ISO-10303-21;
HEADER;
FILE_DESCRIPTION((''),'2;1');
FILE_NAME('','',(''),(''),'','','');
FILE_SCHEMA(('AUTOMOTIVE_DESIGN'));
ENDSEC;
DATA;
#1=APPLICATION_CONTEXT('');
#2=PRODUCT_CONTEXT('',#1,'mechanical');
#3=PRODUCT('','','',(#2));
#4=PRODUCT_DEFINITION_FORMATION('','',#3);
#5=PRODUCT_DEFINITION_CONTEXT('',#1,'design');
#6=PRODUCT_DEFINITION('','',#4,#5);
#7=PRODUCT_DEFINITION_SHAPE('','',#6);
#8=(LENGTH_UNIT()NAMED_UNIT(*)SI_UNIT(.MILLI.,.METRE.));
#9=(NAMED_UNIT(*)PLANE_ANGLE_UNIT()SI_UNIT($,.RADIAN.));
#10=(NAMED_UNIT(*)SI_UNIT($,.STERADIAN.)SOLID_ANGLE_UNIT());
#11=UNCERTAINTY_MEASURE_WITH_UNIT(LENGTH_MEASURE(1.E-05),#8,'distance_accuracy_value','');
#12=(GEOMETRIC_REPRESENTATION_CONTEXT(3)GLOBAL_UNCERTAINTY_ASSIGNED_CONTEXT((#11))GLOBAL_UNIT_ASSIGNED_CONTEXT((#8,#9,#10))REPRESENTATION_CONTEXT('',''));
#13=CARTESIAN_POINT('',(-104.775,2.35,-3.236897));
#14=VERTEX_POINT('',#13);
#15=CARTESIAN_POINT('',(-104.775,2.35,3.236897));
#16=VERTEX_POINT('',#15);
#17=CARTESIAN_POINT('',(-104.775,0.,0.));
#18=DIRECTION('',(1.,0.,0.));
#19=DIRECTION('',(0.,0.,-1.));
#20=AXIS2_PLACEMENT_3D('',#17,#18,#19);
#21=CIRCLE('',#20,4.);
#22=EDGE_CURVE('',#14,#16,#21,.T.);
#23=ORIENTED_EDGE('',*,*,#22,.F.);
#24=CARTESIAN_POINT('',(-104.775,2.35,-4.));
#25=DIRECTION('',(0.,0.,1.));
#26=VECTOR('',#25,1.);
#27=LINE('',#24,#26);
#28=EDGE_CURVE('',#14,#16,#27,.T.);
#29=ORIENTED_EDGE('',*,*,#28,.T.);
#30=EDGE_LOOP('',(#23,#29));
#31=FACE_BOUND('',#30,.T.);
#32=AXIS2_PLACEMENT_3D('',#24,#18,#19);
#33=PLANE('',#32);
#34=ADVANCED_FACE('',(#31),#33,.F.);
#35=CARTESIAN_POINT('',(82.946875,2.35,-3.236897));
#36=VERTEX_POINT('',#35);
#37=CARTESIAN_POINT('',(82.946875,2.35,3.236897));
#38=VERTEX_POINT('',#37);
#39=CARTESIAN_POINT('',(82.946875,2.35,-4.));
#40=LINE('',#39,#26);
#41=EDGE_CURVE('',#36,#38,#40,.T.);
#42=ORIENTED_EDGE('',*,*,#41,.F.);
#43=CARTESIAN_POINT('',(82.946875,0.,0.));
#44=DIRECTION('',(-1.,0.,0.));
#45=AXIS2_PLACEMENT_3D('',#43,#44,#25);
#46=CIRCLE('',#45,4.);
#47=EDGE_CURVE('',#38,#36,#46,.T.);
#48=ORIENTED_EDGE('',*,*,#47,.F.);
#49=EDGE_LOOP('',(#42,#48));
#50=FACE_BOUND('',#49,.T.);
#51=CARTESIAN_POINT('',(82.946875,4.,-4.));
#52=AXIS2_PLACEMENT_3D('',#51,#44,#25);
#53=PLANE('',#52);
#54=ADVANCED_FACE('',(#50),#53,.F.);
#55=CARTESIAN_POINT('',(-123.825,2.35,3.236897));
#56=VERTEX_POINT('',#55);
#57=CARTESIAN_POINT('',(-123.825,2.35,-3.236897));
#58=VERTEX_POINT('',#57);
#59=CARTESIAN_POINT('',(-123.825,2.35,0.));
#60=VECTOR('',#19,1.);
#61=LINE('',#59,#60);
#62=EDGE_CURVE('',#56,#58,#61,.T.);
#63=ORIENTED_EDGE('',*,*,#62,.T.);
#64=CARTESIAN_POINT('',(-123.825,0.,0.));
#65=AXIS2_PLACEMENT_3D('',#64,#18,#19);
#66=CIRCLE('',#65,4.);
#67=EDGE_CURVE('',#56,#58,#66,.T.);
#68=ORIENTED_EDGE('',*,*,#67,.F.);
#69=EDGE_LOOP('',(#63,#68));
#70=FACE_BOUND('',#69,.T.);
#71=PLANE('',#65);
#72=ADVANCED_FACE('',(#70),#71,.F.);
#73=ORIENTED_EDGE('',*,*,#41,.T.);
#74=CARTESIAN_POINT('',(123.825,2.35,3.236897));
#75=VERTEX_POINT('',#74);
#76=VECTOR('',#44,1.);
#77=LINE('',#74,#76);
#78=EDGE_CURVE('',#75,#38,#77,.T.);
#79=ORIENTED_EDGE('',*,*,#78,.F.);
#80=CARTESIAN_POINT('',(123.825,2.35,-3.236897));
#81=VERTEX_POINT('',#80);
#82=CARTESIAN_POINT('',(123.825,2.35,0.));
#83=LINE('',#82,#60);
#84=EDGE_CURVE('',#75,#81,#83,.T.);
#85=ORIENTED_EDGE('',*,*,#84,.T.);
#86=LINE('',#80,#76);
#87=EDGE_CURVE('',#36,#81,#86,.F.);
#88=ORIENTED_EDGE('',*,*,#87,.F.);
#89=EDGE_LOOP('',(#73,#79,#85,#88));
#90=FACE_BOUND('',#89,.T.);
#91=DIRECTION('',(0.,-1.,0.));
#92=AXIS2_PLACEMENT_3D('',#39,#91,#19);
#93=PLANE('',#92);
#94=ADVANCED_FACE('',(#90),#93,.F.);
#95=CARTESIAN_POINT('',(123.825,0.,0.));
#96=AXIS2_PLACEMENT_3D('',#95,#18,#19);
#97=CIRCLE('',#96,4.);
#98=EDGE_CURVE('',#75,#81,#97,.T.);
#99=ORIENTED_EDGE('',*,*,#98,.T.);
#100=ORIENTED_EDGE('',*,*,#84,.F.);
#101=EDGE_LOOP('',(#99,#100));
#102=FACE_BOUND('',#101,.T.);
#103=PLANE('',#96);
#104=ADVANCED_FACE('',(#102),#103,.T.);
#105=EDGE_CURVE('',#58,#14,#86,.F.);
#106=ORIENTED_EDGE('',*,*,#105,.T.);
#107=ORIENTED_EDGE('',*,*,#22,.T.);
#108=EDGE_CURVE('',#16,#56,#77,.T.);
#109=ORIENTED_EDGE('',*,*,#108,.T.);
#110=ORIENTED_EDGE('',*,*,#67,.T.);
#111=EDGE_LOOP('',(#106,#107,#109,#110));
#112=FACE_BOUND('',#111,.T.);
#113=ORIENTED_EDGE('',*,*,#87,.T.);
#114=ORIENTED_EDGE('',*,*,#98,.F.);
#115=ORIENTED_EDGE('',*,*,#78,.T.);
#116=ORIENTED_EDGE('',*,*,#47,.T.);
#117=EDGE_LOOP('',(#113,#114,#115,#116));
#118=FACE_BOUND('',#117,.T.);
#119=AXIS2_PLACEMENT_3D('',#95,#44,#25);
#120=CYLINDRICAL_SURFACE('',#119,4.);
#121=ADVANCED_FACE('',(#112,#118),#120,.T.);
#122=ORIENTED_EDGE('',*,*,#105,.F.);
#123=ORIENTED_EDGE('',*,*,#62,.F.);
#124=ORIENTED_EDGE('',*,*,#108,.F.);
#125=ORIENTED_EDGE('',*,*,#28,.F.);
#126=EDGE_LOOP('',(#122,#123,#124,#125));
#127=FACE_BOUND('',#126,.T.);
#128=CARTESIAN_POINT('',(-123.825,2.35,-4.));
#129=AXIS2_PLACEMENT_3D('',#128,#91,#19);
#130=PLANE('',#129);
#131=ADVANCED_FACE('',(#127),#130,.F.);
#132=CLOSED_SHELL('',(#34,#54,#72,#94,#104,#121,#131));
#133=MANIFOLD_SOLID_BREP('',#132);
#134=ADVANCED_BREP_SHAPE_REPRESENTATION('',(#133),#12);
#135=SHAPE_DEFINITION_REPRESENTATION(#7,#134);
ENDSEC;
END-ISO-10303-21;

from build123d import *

# Parameters (mm, degrees)
SKETCH1_R               = 4
BOSS_EXTRUDE1_DEPTH     = 123.825
CUT_EXTRUDE1_DEPTH      = 124.954147268
CUT_EXTRUDE1_DEPTH_BACK = 124.954147268
SKETCH3_W               = 19.05
SKETCH3_H               = 1.65
SKETCH3_W_2             = 40.878125


with BuildPart() as part:
    # Sketch1 → Boss-Extrude1 (new, symmetric)
    with BuildSketch(Plane(origin=(0, 0, 0), x_dir=(0, 0, -1), z_dir=(1, 0, 0))):
        Circle(SKETCH1_R)
    extrude(amount=BOSS_EXTRUDE1_DEPTH, both=True)

    # Sketch3 → Cut-Extrude1 (cut, two sides: drawn at the far end of the back side and taken through both)
    with BuildSketch(Plane.XY.offset(-CUT_EXTRUDE1_DEPTH_BACK)):
        with Locations((-114.3, 3.175)):
            Rectangle(SKETCH3_W, SKETCH3_H)
        with Locations((103.3859375, 3.175)):
            Rectangle(SKETCH3_W_2, SKETCH3_H)
    extrude(amount=CUT_EXTRUDE1_DEPTH + CUT_EXTRUDE1_DEPTH_BACK, mode=Mode.SUBTRACT)


solid = part.part
